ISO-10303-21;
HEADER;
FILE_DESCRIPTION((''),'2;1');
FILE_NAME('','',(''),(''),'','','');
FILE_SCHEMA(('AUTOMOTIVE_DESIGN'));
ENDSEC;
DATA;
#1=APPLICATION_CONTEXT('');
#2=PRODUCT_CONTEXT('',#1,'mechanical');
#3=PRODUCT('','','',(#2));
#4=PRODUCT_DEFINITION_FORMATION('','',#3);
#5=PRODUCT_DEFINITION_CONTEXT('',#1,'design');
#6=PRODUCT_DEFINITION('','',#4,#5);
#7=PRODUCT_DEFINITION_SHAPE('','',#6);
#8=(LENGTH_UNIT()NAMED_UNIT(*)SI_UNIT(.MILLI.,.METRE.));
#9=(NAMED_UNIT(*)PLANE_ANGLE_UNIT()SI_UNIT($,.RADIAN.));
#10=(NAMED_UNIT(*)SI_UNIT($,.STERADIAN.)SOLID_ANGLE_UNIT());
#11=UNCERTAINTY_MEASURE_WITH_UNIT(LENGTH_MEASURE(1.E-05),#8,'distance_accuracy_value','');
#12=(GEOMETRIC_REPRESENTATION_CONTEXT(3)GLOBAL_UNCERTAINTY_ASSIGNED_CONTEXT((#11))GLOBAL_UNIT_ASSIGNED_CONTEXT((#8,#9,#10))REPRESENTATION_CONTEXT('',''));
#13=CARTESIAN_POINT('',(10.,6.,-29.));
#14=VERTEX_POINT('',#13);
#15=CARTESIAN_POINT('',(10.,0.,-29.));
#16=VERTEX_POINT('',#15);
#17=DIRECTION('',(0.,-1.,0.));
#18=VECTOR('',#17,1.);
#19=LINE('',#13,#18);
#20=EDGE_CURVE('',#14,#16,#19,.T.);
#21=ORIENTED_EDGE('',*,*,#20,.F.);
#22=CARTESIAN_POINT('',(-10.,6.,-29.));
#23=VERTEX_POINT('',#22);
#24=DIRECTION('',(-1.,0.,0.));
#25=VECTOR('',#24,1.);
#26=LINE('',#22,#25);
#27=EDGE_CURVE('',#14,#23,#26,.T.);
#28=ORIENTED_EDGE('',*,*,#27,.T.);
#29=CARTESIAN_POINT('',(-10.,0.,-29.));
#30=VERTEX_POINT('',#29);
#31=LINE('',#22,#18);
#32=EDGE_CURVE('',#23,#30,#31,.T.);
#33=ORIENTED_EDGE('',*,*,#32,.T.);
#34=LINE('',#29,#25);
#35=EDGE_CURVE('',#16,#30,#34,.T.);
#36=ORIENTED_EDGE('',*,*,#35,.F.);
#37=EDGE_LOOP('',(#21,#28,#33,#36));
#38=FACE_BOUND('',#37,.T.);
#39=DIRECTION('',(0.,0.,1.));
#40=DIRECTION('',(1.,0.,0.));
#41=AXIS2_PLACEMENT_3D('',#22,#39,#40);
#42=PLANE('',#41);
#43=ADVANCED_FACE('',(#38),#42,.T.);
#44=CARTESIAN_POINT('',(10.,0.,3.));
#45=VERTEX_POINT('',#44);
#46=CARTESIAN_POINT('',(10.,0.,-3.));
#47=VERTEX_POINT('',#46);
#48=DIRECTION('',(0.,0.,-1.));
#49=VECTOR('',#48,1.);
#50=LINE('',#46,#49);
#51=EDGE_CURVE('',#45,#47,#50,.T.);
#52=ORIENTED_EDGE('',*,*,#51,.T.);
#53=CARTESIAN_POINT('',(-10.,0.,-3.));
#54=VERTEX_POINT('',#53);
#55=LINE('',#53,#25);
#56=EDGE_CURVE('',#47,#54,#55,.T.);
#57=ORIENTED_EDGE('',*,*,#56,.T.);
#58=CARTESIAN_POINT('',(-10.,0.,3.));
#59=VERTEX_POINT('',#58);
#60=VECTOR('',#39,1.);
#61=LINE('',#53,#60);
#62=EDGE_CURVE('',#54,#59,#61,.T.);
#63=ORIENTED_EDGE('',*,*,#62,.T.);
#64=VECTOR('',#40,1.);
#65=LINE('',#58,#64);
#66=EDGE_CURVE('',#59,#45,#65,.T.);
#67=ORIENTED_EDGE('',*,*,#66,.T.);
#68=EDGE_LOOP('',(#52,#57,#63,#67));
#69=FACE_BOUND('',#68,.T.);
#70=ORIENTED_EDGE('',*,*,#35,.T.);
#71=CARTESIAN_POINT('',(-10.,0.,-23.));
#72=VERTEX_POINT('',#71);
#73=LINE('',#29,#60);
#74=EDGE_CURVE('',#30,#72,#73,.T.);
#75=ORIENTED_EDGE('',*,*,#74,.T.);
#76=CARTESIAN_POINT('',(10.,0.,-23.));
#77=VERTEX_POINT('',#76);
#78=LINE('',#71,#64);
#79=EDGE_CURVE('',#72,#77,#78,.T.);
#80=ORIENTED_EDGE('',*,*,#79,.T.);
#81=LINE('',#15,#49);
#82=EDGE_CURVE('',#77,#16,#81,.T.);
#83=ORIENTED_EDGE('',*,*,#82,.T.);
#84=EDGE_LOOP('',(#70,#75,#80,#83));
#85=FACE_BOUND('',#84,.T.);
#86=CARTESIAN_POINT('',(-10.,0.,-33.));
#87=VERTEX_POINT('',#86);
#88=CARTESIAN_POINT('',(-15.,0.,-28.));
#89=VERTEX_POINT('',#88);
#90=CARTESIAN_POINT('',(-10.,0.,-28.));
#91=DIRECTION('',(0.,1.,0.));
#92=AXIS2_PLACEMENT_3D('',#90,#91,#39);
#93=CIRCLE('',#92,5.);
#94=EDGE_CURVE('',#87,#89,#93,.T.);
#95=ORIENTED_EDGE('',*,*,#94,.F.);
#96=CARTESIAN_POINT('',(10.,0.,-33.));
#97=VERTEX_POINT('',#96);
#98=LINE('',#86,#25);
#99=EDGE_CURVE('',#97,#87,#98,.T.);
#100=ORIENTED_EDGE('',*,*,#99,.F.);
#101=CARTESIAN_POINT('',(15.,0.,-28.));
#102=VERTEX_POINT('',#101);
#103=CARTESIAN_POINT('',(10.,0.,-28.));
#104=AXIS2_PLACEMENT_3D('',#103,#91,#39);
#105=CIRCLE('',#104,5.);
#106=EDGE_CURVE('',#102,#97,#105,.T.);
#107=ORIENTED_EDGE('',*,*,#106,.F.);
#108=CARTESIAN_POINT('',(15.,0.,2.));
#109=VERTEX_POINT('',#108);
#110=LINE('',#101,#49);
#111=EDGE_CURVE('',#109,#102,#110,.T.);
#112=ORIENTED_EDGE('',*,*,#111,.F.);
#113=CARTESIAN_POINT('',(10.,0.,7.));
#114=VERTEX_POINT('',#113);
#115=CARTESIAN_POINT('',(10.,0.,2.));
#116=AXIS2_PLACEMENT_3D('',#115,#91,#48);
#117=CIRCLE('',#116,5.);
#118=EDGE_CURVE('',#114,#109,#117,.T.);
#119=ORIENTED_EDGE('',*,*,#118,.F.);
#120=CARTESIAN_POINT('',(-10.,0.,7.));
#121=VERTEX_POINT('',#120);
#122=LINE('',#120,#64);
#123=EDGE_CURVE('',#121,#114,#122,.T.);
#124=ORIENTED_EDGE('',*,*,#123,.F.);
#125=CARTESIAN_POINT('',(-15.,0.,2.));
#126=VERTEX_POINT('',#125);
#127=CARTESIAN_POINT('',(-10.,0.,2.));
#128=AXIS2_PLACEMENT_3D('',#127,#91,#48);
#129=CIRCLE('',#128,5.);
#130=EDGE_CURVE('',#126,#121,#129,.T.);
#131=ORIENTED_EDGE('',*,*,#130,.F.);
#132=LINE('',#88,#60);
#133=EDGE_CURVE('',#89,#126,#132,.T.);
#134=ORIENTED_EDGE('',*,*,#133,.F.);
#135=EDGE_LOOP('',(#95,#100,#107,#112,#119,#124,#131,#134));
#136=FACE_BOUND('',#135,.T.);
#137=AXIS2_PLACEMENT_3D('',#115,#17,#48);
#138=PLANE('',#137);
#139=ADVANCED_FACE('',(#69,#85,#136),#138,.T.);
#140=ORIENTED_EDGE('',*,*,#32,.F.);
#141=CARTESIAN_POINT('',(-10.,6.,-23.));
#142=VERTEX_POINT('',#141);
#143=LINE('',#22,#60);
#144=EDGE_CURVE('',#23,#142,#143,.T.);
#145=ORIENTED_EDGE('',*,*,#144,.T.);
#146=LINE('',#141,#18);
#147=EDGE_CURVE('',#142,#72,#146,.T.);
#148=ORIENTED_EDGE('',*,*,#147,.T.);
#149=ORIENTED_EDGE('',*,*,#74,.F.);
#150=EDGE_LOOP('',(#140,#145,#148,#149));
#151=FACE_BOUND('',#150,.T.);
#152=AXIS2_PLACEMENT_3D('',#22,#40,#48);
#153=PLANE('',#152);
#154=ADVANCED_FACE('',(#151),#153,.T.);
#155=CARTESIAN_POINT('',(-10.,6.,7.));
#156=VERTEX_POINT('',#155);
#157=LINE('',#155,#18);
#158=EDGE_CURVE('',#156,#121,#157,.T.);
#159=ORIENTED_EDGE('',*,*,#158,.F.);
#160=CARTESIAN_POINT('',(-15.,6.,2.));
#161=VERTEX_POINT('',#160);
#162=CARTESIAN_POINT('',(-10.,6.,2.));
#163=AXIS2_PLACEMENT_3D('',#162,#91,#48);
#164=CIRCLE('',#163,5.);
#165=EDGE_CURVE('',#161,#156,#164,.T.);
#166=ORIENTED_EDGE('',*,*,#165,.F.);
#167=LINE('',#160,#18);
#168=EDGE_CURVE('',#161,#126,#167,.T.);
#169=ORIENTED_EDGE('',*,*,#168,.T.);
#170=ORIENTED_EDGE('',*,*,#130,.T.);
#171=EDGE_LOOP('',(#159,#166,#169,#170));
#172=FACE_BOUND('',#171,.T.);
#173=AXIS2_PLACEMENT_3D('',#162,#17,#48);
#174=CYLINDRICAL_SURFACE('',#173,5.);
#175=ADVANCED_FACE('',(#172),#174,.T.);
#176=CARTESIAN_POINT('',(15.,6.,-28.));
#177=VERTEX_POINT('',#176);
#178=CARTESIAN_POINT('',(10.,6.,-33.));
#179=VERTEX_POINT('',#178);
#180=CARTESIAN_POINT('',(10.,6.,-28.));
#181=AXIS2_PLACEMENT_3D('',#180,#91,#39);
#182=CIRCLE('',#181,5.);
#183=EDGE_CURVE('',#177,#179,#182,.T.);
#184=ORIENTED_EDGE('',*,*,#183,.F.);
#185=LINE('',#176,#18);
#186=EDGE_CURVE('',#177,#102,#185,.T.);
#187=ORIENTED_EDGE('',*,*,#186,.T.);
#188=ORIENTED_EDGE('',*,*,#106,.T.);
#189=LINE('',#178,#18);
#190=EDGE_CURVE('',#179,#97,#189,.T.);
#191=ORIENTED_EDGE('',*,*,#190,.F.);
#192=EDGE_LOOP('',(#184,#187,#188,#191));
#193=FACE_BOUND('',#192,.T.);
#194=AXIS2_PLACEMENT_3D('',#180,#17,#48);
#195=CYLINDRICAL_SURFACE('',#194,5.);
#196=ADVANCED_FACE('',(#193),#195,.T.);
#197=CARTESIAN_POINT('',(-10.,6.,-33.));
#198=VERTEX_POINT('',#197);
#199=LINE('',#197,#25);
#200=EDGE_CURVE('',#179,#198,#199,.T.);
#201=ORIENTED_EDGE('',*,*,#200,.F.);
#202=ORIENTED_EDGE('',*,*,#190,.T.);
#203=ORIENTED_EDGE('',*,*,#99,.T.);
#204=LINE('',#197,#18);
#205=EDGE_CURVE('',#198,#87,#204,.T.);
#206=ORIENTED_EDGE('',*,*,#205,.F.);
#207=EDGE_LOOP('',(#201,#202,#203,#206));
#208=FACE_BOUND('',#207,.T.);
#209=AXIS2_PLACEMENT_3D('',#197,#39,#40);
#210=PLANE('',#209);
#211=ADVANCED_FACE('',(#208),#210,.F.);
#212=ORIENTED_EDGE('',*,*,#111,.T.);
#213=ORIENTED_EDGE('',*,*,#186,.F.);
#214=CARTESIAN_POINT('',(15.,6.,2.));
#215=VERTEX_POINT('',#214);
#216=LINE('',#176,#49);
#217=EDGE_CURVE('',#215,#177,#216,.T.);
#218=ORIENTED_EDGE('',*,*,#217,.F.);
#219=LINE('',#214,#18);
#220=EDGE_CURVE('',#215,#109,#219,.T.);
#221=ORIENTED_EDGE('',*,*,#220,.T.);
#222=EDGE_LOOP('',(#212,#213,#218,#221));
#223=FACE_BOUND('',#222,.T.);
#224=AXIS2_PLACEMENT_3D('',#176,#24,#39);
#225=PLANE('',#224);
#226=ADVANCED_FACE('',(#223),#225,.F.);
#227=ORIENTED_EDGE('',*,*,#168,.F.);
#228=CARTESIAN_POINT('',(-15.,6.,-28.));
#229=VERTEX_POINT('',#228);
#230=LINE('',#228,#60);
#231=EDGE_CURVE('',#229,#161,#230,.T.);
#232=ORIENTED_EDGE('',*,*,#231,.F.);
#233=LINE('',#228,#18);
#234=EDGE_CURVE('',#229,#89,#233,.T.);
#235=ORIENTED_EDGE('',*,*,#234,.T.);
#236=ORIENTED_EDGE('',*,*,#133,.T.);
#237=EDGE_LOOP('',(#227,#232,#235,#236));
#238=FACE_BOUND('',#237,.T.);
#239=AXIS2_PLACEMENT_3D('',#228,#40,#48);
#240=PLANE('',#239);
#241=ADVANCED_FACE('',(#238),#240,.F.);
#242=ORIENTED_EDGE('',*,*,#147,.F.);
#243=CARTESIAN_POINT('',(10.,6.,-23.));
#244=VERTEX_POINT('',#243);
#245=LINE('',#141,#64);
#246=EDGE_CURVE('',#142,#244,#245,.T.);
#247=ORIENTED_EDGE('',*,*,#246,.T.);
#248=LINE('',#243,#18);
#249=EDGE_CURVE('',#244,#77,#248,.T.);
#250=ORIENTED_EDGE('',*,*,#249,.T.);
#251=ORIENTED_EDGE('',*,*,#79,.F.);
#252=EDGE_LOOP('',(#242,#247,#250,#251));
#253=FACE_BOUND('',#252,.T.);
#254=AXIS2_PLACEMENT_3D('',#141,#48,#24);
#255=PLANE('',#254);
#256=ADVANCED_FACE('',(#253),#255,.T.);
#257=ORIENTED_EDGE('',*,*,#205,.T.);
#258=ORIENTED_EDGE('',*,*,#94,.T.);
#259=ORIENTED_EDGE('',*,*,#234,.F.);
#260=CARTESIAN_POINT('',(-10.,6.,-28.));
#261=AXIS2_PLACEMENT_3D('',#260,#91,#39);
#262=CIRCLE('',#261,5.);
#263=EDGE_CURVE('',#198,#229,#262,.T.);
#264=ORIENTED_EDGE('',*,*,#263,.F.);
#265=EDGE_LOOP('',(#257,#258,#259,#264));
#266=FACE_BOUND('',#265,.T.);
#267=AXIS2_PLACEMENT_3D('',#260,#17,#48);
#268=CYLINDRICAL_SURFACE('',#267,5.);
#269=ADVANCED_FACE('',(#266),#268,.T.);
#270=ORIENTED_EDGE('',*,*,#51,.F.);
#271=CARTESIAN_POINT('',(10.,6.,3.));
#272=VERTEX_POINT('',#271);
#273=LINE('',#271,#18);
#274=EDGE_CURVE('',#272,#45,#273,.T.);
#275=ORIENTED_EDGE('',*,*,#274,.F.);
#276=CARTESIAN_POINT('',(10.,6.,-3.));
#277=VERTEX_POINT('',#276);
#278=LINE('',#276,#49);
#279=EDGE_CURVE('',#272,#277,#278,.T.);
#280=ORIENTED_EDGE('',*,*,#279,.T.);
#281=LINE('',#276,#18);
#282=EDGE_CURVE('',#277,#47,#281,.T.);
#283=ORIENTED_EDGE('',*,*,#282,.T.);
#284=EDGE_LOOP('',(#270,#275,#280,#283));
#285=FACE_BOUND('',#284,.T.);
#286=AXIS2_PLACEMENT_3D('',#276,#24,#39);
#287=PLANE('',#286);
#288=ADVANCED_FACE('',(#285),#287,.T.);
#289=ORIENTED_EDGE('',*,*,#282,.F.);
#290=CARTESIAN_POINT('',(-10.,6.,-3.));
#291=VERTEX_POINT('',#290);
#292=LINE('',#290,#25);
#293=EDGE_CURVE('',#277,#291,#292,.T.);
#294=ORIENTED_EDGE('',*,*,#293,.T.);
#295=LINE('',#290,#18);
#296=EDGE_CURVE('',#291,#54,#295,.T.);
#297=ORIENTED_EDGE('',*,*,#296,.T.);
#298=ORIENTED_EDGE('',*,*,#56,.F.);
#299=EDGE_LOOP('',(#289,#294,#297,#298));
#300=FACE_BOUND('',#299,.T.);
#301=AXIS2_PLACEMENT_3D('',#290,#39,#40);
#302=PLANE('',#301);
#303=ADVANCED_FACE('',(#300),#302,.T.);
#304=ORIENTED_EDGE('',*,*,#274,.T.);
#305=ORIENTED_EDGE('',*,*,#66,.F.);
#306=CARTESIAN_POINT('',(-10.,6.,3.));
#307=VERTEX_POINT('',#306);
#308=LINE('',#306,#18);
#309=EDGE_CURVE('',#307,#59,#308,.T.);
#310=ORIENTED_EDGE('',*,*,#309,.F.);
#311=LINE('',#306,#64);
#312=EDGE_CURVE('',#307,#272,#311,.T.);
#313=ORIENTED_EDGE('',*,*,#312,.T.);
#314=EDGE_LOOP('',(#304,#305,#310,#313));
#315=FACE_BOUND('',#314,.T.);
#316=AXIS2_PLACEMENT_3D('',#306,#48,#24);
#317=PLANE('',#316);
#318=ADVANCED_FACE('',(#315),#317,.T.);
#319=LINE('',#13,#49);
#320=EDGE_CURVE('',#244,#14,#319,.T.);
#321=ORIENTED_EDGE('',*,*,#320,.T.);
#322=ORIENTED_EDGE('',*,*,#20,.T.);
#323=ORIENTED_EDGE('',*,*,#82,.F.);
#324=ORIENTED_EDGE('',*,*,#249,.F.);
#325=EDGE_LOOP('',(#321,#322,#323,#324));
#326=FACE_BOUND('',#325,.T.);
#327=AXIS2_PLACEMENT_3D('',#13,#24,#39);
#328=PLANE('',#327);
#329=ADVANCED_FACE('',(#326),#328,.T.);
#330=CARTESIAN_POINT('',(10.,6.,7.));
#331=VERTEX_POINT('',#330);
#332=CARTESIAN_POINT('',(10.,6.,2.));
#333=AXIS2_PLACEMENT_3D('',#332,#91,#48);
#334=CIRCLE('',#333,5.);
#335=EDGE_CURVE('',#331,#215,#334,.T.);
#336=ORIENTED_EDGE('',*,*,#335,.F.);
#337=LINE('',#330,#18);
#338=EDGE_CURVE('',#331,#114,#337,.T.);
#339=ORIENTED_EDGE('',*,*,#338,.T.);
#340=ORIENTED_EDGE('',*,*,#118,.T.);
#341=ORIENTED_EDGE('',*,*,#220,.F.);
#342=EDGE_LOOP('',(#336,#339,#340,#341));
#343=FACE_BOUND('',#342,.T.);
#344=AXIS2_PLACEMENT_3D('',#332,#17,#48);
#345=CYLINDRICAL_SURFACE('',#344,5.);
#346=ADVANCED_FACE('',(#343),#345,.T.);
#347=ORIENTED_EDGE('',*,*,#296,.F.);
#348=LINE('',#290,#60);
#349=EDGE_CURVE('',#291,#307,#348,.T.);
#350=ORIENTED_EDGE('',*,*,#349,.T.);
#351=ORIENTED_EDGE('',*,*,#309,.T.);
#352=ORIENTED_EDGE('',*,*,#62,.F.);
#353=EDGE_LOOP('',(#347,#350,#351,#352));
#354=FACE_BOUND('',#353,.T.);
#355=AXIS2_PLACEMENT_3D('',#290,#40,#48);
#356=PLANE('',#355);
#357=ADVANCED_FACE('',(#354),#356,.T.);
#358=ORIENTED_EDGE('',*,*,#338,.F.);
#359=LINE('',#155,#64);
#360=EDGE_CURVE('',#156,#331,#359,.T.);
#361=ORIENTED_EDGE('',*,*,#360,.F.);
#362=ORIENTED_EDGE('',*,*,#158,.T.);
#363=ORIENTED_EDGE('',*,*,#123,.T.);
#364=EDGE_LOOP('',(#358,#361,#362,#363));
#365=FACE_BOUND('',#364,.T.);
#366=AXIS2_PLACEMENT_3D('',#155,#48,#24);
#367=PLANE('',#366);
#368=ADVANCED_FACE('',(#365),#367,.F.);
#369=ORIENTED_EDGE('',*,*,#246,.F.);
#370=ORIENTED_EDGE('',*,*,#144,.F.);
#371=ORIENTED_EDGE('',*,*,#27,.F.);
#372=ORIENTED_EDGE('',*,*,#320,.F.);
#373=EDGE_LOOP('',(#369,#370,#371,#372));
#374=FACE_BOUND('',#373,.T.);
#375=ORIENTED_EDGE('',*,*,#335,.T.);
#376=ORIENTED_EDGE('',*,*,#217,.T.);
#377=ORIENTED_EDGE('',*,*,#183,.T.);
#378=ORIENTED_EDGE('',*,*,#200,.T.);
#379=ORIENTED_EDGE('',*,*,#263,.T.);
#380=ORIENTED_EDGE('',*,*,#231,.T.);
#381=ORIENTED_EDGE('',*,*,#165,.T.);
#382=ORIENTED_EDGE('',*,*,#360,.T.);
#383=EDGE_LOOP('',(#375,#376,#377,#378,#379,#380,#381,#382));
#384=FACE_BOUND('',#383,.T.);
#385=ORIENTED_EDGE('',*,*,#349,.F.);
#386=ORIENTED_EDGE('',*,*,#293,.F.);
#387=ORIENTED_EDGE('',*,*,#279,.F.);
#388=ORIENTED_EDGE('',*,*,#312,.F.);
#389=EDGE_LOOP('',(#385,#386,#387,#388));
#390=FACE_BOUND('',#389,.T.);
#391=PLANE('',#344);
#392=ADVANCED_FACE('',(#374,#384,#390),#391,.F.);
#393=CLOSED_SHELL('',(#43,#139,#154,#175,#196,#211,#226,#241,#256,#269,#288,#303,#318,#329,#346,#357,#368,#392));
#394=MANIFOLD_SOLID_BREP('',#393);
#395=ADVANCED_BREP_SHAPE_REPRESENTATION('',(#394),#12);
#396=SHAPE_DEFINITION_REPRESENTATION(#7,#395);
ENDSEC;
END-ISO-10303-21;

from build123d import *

# Parameters (mm, degrees)
SKETCH1_W           = 20
SKETCH1_H           = 6
BOSS_EXTRUDE1_DEPTH = 6


with BuildPart() as part:
    # Sketch1 → Boss-Extrude1 (new body)
    with BuildSketch(Plane(origin=(0, 0, 0), x_dir=(1, 0, 0), z_dir=(0, 1, 0))):
        with BuildLine():
            Line((-10, 33), (10, 33))
            ThreePointArc((10, 33), (13.535533906, 31.535533906), (15, 28))
            Line((15, 28), (15, -2))
            ThreePointArc((15, -2), (13.535533906, -5.535533906), (10, -7))
            Line((10, -7), (-10, -7))
            ThreePointArc((-10, -7), (-13.535533906, -5.535533906), (-15, -2))
            Line((-15, -2), (-15, 28))
            ThreePointArc((-15, 28), (-13.535533906, 31.535533906), (-10, 33))
        make_face()
        with Locations((0, 26)):
            Rectangle(SKETCH1_W, SKETCH1_H, mode=Mode.SUBTRACT)
        Rectangle(SKETCH1_W, SKETCH1_H, mode=Mode.SUBTRACT)
    extrude(amount=BOSS_EXTRUDE1_DEPTH)


solid = part.part
